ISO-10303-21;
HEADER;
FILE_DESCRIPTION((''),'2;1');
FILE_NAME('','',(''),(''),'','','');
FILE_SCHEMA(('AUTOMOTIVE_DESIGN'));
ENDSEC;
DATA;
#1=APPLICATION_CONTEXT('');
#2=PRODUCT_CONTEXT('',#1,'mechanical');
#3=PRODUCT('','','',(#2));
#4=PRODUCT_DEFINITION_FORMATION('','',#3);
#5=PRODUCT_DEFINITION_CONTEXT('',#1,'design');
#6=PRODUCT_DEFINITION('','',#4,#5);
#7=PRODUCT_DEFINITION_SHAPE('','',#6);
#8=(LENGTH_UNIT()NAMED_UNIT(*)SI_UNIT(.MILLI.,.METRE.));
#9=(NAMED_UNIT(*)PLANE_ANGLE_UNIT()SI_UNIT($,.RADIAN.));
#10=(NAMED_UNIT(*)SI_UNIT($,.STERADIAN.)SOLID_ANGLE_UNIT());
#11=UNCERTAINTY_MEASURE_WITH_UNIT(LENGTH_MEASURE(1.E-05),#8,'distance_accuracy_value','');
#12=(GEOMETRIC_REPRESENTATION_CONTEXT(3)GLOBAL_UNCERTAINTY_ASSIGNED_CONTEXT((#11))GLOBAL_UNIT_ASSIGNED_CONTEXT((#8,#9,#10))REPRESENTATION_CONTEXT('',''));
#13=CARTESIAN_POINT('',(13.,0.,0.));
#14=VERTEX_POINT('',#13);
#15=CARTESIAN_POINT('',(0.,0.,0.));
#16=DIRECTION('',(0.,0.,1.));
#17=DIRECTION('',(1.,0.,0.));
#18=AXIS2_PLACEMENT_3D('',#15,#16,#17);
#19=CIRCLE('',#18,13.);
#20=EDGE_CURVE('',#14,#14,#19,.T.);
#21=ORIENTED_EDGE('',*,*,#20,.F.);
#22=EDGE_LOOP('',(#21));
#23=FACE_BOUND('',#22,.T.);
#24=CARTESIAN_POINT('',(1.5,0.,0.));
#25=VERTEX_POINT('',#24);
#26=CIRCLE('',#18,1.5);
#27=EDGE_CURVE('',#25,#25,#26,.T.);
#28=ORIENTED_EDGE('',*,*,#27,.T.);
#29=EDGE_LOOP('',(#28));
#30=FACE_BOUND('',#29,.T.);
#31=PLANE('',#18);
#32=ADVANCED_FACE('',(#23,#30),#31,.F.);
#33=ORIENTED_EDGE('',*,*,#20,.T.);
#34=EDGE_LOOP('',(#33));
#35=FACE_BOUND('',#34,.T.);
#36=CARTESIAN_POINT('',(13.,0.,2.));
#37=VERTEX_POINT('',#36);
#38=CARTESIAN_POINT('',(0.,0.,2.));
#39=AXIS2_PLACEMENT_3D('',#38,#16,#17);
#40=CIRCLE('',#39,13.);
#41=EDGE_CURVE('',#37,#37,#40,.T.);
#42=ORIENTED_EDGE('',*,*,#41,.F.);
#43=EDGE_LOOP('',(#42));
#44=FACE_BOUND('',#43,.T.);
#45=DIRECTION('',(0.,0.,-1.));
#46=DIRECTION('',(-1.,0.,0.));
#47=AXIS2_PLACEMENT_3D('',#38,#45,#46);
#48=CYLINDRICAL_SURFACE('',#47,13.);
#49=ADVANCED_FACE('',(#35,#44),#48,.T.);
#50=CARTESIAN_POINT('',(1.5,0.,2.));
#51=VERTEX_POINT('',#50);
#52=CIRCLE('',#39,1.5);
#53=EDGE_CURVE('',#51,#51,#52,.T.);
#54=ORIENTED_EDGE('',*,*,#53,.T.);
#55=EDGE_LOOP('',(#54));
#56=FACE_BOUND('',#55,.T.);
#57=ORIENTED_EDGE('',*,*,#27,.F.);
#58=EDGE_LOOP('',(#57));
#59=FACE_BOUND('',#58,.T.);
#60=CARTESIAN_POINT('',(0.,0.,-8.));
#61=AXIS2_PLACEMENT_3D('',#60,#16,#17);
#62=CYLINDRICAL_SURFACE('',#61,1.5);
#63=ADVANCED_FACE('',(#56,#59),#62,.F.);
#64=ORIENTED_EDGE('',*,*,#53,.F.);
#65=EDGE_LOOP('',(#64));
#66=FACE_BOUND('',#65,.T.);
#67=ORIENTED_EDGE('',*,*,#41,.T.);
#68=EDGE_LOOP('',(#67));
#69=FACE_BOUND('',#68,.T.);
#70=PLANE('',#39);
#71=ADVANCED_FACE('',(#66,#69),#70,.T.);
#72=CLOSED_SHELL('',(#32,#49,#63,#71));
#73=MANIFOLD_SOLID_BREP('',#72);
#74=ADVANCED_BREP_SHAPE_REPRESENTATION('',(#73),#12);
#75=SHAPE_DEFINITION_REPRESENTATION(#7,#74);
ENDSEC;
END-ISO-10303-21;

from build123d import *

# Parameters (mm, degrees)
SKETCH1_R           = 13
BOSS_EXTRUDE1_DEPTH = 2
SKETCH2_R           = 1.5
CUT_EXTRUDE1_DEPTH  = 10


with BuildPart() as part:
    # Sketch1 → Boss-Extrude1 (new body)
    with BuildSketch(Plane.XY):
        Circle(SKETCH1_R)
    extrude(amount=BOSS_EXTRUDE1_DEPTH)

    # Sketch2 → Cut-Extrude1 (cut)
    with BuildSketch(Plane.XY.offset(2)):
        Circle(SKETCH2_R)
    extrude(amount=-CUT_EXTRUDE1_DEPTH, mode=Mode.SUBTRACT)


solid = part.part
